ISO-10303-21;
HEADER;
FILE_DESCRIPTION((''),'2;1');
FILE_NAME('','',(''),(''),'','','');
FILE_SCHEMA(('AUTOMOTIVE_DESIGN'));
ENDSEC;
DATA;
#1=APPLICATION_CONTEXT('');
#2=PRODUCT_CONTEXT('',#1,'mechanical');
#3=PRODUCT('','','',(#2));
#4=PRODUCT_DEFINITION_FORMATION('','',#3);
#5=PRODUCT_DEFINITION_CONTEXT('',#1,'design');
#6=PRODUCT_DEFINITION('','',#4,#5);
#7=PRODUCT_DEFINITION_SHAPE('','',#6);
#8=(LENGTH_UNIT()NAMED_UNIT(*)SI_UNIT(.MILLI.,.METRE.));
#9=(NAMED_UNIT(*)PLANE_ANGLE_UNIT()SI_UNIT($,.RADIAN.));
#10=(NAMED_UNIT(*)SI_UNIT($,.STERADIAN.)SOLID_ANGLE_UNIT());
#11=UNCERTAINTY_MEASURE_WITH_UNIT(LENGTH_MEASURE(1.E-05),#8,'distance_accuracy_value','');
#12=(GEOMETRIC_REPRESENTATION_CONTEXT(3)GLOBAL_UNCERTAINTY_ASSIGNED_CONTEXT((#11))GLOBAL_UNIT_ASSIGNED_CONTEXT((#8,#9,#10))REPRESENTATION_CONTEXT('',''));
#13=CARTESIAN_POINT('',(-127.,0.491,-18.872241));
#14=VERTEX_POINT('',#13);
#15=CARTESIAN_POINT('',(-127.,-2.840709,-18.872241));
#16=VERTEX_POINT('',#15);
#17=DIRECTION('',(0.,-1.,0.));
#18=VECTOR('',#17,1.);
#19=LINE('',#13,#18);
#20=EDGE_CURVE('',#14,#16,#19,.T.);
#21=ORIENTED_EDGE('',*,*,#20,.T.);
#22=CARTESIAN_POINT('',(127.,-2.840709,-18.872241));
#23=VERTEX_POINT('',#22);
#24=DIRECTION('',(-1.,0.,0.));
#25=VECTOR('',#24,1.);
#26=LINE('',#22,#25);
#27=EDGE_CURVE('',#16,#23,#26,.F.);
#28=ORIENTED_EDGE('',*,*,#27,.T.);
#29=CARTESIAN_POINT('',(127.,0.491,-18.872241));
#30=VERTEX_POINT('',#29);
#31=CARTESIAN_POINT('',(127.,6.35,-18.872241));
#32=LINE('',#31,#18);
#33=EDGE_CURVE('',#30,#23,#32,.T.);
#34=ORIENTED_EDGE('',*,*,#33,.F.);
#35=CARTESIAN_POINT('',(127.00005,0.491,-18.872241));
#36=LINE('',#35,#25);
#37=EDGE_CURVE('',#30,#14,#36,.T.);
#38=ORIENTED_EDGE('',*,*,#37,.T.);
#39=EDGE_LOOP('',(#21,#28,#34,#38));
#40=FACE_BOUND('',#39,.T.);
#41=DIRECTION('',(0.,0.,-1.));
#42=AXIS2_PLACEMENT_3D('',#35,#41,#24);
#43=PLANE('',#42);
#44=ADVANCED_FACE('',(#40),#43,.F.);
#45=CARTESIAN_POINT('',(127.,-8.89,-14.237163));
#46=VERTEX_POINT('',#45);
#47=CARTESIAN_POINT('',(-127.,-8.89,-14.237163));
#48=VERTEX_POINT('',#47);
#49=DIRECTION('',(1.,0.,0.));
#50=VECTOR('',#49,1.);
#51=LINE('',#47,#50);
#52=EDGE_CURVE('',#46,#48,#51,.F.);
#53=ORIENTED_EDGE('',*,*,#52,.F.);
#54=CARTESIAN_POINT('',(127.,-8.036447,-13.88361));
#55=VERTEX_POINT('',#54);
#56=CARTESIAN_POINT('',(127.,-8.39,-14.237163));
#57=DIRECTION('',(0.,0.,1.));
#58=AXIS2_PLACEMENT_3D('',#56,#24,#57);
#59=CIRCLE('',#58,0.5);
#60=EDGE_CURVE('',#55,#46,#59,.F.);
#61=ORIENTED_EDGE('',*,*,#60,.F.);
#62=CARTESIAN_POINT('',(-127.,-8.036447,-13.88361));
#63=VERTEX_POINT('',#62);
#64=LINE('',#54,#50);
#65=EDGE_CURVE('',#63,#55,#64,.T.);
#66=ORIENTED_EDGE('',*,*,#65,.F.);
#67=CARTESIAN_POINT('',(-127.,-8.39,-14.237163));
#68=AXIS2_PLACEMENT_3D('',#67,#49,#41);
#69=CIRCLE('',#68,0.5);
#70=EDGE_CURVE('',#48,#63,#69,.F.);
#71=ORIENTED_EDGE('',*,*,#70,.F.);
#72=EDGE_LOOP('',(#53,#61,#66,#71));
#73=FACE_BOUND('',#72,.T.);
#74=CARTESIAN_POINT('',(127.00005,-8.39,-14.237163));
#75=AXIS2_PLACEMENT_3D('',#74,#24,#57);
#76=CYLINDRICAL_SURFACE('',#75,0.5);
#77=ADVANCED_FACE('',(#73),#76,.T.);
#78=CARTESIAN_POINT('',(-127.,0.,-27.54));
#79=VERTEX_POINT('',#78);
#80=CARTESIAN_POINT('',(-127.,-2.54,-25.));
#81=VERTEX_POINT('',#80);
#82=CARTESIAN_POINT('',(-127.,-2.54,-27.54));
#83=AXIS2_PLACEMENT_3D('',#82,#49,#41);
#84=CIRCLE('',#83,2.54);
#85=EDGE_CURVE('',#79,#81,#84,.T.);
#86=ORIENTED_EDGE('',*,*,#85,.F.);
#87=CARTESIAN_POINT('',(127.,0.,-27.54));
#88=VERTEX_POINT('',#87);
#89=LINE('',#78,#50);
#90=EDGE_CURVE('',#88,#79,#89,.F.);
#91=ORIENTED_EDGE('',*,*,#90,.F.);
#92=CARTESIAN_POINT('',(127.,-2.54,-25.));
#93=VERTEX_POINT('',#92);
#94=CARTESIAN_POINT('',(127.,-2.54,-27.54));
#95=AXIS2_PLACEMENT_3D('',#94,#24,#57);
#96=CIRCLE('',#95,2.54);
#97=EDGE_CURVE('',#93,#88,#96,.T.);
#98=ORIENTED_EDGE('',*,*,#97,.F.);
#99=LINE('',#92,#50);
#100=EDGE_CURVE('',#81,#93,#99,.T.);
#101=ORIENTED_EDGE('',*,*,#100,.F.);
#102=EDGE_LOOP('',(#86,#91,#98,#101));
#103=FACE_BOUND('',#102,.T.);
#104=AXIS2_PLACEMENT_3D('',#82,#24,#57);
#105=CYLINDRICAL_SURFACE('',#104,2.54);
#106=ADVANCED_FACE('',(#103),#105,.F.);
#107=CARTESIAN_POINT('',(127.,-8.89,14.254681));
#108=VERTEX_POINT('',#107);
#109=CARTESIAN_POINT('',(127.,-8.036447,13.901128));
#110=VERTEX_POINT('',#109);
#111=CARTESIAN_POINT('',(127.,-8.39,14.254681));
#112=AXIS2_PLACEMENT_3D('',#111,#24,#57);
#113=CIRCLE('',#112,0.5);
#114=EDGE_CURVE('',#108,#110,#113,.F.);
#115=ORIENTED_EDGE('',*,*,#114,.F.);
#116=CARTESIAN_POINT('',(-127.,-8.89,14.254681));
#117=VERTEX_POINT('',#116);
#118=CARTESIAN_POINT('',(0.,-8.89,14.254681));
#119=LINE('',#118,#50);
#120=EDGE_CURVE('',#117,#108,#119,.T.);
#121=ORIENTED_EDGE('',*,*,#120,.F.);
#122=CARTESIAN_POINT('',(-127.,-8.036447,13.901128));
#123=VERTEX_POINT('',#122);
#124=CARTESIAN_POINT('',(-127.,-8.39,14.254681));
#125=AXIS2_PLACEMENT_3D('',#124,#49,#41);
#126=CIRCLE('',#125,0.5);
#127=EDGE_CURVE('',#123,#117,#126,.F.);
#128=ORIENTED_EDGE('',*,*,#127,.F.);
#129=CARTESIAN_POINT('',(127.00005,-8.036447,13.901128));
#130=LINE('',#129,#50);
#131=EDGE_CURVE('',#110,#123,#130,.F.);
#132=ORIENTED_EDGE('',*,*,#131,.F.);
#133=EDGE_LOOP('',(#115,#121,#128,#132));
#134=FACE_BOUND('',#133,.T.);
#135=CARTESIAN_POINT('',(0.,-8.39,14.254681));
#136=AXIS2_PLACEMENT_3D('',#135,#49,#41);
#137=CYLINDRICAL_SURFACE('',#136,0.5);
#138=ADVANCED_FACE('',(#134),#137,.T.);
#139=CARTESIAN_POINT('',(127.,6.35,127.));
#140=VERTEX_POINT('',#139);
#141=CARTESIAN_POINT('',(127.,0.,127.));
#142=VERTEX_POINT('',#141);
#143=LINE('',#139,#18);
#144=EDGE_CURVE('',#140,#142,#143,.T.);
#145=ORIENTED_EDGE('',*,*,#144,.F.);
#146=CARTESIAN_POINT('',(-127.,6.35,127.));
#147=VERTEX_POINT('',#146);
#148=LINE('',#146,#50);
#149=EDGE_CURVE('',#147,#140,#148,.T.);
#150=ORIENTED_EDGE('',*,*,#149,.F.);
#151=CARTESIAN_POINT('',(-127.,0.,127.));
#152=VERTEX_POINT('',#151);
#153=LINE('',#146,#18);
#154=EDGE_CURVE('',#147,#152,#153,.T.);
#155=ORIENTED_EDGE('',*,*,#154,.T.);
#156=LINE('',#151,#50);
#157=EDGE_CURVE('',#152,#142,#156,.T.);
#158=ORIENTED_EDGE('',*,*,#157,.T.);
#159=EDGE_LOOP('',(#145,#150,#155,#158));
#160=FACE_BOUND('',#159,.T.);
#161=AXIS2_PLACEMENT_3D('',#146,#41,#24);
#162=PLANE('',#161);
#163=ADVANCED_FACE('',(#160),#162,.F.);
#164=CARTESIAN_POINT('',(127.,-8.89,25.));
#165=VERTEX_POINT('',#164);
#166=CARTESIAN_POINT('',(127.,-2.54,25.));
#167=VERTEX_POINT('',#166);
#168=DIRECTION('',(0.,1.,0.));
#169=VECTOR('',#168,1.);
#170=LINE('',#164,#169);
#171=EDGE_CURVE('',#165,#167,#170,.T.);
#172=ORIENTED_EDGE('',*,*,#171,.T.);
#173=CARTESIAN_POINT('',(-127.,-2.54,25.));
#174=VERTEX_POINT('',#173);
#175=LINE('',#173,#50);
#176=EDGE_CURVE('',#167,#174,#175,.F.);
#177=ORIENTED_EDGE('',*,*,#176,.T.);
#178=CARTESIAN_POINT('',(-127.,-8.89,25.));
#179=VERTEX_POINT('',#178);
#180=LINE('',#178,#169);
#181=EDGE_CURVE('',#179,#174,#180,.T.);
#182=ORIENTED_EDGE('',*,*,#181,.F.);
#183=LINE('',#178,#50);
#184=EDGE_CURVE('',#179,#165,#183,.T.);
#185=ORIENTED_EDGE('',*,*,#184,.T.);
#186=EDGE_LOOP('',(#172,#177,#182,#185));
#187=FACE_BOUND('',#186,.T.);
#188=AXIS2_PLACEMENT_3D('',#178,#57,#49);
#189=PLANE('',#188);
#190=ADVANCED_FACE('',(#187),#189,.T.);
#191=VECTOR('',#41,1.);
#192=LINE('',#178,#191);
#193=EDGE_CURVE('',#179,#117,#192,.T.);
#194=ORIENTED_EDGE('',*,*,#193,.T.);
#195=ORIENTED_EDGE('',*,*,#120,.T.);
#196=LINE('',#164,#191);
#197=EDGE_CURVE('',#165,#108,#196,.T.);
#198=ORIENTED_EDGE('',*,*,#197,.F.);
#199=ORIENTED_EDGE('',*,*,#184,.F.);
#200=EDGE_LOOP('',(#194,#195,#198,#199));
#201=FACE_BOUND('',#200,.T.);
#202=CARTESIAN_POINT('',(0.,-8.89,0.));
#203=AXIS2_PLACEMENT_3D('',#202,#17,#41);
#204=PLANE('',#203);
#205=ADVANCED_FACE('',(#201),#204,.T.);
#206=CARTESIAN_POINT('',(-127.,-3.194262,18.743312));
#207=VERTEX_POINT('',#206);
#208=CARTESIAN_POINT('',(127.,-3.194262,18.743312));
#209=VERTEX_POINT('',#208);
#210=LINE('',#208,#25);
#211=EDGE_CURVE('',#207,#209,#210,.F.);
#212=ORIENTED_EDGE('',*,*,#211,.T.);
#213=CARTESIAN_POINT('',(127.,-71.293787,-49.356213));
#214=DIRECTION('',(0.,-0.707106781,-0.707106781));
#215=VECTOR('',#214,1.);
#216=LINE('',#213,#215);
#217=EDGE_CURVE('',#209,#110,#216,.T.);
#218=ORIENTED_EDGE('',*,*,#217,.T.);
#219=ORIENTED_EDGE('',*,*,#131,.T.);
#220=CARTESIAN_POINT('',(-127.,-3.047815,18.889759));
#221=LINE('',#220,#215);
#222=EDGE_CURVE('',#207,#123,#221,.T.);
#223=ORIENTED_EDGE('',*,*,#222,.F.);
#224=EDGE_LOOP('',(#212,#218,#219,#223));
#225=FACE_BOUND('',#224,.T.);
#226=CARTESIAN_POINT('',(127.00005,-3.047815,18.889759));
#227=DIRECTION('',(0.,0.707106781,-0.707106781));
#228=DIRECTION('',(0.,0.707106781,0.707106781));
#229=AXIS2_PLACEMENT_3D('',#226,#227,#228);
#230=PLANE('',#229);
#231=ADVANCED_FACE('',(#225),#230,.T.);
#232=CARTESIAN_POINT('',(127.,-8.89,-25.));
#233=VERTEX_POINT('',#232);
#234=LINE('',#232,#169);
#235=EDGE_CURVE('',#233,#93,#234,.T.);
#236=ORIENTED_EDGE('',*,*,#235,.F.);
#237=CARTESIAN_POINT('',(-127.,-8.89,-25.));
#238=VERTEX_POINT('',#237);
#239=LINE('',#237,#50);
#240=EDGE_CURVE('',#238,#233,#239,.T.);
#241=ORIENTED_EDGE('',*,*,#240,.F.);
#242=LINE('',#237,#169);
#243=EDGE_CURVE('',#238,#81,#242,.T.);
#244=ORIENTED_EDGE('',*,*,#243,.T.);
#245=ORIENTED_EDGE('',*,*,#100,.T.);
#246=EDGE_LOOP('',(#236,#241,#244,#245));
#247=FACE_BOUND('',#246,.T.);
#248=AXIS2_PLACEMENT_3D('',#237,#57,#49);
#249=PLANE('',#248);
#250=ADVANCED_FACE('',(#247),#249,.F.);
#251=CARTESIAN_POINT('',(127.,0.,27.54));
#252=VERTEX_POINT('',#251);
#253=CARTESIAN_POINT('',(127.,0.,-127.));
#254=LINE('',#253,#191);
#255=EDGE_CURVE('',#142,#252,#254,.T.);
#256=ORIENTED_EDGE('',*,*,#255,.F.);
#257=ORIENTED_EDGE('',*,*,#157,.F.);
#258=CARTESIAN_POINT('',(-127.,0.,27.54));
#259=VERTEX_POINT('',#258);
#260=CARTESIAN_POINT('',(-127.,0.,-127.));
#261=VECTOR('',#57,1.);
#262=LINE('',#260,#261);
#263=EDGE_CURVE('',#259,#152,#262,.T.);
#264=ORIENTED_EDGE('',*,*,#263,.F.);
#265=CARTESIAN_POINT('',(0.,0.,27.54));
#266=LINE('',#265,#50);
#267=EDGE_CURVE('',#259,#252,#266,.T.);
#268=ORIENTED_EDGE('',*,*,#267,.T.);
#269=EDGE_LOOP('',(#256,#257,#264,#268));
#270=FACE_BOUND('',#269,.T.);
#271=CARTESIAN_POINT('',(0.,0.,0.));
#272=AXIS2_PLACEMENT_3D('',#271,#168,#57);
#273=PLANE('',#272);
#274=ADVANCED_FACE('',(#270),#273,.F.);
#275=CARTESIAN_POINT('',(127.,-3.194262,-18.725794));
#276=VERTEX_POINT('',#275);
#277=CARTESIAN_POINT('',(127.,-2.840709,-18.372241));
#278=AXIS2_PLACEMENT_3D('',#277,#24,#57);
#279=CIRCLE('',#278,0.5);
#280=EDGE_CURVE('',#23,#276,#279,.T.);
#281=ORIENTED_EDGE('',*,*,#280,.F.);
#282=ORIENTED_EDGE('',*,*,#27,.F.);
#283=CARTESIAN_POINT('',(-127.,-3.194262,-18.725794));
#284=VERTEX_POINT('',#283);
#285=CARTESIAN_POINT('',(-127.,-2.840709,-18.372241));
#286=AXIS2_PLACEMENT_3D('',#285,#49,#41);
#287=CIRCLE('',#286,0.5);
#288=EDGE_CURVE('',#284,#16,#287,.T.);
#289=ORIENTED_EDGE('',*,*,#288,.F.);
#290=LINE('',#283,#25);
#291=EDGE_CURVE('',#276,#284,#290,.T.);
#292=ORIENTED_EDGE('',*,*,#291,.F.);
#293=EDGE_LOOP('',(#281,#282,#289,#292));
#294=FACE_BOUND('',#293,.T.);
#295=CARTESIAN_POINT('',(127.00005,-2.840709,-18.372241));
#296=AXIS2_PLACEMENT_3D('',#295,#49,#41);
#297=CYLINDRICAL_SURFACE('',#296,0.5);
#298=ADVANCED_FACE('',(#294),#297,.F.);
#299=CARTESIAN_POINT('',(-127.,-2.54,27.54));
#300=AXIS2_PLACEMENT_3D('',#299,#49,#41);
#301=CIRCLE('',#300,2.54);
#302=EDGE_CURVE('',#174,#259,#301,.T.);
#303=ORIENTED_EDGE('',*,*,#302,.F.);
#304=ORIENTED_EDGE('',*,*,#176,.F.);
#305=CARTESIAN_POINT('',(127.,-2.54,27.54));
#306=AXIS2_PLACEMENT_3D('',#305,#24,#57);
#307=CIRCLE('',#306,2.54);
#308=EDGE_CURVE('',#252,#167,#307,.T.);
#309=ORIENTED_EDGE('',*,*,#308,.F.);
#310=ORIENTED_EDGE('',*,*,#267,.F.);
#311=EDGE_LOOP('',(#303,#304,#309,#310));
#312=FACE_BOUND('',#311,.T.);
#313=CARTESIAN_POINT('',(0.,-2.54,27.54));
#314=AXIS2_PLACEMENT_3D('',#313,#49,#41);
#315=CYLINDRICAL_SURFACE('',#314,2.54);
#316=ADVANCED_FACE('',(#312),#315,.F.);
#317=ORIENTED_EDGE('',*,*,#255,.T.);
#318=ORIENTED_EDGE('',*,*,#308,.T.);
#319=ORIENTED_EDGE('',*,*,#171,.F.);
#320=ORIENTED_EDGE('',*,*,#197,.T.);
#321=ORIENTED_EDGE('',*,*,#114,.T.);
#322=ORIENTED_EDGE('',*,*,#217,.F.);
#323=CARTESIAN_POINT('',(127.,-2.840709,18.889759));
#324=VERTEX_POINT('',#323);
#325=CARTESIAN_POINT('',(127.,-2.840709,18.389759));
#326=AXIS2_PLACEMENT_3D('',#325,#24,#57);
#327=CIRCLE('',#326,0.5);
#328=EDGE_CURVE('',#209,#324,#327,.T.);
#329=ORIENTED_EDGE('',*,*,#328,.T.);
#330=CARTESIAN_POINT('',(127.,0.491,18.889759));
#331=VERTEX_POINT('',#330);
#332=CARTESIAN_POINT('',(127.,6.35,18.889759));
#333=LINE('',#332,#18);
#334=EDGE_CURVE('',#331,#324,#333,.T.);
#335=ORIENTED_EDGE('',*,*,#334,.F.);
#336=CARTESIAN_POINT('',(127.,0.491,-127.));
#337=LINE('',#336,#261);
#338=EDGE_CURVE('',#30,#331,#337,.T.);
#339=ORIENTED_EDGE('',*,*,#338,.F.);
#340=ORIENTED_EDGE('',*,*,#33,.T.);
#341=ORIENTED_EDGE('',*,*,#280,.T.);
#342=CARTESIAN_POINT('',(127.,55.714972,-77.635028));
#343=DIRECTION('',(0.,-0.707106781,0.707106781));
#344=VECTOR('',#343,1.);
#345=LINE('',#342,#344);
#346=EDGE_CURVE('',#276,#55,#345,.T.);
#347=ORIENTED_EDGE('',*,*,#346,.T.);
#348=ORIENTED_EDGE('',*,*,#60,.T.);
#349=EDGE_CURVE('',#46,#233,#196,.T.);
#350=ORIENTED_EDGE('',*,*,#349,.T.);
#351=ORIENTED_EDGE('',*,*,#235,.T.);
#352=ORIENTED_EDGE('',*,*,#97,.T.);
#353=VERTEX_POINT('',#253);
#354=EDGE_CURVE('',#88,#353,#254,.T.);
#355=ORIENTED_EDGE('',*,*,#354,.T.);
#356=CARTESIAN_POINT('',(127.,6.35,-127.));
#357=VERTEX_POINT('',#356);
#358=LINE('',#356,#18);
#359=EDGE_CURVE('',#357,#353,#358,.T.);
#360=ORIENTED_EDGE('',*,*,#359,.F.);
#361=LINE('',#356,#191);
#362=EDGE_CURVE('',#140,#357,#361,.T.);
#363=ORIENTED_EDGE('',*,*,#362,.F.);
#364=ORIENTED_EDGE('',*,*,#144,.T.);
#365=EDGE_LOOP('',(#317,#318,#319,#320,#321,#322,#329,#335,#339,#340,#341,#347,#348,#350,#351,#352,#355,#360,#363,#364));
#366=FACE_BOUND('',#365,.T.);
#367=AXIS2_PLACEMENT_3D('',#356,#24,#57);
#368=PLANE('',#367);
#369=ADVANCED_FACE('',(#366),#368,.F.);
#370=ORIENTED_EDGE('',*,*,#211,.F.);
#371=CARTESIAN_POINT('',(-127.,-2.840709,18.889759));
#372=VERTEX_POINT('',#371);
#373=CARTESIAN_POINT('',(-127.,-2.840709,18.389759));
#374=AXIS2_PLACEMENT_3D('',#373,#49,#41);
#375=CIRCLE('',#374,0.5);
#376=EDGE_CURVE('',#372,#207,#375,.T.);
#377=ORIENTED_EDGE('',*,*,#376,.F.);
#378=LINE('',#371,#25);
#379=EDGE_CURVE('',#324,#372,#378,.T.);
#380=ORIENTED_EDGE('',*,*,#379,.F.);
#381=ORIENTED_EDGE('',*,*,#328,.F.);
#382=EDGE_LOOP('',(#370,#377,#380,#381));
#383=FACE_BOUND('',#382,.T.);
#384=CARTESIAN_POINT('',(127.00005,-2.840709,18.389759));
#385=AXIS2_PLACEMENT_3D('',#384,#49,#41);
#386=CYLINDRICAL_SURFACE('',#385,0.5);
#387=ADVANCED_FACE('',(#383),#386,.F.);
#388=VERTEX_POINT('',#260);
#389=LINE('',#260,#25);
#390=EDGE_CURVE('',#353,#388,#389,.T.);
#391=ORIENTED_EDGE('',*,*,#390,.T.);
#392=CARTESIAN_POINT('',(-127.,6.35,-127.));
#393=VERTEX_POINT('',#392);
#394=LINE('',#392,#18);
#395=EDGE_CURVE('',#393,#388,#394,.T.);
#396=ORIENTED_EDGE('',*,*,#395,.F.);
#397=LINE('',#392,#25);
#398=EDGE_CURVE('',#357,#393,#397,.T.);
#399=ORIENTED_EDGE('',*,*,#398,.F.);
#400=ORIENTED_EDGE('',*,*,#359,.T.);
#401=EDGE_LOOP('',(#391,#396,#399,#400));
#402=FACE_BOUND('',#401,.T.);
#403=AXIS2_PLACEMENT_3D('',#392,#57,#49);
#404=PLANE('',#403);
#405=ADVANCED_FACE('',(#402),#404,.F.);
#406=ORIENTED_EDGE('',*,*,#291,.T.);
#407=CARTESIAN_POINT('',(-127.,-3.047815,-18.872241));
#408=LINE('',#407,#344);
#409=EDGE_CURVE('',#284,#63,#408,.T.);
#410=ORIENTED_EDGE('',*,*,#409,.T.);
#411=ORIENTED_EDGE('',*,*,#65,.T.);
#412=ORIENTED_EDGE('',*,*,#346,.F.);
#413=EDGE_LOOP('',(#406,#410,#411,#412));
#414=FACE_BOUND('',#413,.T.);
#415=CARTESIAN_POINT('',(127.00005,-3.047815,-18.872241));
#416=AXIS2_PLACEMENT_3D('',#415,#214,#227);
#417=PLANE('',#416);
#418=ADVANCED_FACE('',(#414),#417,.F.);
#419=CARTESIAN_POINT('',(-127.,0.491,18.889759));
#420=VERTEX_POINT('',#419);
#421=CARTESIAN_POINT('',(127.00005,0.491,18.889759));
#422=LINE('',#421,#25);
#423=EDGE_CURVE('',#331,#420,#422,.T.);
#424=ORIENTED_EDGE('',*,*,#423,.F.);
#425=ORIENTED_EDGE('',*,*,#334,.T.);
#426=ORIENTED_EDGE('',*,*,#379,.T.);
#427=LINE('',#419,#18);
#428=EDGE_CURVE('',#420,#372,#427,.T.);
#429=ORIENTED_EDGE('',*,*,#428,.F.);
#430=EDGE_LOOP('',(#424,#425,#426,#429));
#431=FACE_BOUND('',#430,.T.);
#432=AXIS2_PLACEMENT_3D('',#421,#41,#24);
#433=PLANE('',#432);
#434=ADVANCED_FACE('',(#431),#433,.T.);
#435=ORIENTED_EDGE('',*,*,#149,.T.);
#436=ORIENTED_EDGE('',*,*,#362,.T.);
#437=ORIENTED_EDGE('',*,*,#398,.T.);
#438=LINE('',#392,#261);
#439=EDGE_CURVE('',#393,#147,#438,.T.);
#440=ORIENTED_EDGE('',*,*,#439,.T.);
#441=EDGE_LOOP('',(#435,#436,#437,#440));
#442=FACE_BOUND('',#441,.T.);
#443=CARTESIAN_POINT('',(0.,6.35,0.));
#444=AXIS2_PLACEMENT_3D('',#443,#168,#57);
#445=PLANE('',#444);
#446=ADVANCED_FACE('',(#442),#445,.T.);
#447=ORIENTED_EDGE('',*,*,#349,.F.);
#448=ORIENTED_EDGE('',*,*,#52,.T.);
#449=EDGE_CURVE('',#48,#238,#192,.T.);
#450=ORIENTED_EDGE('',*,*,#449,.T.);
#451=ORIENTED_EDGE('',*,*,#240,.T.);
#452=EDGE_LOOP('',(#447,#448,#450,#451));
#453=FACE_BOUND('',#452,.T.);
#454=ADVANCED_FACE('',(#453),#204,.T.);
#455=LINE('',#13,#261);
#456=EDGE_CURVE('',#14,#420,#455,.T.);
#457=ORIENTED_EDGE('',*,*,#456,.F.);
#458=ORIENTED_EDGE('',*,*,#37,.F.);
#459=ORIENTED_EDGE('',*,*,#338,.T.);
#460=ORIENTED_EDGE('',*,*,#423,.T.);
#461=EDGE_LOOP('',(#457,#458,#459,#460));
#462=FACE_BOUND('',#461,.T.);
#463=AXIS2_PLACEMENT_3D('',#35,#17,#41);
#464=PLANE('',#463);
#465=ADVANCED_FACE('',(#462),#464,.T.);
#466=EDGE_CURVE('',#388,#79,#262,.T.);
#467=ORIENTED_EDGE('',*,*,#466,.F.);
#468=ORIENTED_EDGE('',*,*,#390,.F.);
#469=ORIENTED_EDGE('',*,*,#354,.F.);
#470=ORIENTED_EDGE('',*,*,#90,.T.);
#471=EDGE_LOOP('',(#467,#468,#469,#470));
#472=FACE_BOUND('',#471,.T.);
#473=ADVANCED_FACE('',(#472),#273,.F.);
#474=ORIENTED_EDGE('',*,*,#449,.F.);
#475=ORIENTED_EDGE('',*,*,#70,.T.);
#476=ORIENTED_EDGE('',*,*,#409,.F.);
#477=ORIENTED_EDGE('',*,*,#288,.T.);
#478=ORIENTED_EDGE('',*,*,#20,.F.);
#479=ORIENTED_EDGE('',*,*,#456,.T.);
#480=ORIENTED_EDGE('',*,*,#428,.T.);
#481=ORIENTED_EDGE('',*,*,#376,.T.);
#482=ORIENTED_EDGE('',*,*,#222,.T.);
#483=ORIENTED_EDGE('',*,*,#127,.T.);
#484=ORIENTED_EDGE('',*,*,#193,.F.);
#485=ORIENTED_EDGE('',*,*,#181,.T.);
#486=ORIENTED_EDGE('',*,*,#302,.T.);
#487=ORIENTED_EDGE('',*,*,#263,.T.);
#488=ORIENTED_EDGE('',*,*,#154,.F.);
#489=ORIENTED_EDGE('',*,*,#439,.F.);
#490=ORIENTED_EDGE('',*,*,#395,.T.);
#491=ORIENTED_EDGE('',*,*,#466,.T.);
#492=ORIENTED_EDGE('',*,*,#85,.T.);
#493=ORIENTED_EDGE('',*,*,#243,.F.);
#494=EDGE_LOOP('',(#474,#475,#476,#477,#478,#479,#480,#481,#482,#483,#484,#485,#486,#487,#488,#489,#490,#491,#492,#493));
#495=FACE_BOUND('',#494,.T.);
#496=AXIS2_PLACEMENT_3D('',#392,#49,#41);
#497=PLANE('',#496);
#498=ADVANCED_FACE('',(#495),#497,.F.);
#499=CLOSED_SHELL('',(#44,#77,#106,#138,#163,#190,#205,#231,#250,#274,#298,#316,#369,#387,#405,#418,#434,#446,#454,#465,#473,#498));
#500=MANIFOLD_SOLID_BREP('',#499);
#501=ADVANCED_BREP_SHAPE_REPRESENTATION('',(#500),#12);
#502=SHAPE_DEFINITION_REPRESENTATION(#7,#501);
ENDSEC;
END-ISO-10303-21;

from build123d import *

# Parameters (mm, degrees)
SKETCH1_W          = 254
SKETCH1_H          = 254
BASE_DEPTH         = 6.35
SKETCH3_W          = 254
SKETCH3_H          = 50
KEY_MATERIAL_DEPTH = 8.89
KEY_SLIDE_DEPTH    = 285.119749578
KEY_CONTOURING_R   = 0.5
FILLET5_R          = 2.54


with BuildPart() as part:
    # Sketch1 → Base (new body)
    with BuildSketch(Plane(origin=(0, 0, 0), x_dir=(1, 0, 0), z_dir=(0, 1, 0))):
        Rectangle(SKETCH1_W, SKETCH1_H)
    extrude(amount=BASE_DEPTH)

    # Sketch3 → Key Material (add)
    with BuildSketch(Plane.XZ):
        Rectangle(SKETCH3_W, SKETCH3_H)
    extrude(amount=KEY_MATERIAL_DEPTH)

    # Sketch10 → Key Slide (cut, through all)
    with BuildSketch(Plane.ZY.offset(127)):
        Polygon((18.88975891, -3.047815367), (12.666574277, -9.271), (-12.649056457, -9.271), (-18.87224109, -3.047815367), (-18.87224109, 0.491), (18.88975891, 0.491), align=None)
    extrude(amount=-KEY_SLIDE_DEPTH, mode=Mode.SUBTRACT)

    # Key Contouring
    key_contouring_edges = [part.edges().sort_by_distance(p)[0] for p in [
        (0, -8.89, -13.030056457),
        (0, -8.89, 13.047574277),
        (0, -3.047815367, -18.87224109),
        (0, -3.047815367, 18.88975891),
    ]]
    fillet(key_contouring_edges, radius=KEY_CONTOURING_R)

    # Fillet5
    fillet5_edges = [part.edges().sort_by_distance(p)[0] for p in [
        (0, 0, -25),
        (0, 0, 25),
    ]]
    fillet(fillet5_edges, radius=FILLET5_R)


solid = part.part
